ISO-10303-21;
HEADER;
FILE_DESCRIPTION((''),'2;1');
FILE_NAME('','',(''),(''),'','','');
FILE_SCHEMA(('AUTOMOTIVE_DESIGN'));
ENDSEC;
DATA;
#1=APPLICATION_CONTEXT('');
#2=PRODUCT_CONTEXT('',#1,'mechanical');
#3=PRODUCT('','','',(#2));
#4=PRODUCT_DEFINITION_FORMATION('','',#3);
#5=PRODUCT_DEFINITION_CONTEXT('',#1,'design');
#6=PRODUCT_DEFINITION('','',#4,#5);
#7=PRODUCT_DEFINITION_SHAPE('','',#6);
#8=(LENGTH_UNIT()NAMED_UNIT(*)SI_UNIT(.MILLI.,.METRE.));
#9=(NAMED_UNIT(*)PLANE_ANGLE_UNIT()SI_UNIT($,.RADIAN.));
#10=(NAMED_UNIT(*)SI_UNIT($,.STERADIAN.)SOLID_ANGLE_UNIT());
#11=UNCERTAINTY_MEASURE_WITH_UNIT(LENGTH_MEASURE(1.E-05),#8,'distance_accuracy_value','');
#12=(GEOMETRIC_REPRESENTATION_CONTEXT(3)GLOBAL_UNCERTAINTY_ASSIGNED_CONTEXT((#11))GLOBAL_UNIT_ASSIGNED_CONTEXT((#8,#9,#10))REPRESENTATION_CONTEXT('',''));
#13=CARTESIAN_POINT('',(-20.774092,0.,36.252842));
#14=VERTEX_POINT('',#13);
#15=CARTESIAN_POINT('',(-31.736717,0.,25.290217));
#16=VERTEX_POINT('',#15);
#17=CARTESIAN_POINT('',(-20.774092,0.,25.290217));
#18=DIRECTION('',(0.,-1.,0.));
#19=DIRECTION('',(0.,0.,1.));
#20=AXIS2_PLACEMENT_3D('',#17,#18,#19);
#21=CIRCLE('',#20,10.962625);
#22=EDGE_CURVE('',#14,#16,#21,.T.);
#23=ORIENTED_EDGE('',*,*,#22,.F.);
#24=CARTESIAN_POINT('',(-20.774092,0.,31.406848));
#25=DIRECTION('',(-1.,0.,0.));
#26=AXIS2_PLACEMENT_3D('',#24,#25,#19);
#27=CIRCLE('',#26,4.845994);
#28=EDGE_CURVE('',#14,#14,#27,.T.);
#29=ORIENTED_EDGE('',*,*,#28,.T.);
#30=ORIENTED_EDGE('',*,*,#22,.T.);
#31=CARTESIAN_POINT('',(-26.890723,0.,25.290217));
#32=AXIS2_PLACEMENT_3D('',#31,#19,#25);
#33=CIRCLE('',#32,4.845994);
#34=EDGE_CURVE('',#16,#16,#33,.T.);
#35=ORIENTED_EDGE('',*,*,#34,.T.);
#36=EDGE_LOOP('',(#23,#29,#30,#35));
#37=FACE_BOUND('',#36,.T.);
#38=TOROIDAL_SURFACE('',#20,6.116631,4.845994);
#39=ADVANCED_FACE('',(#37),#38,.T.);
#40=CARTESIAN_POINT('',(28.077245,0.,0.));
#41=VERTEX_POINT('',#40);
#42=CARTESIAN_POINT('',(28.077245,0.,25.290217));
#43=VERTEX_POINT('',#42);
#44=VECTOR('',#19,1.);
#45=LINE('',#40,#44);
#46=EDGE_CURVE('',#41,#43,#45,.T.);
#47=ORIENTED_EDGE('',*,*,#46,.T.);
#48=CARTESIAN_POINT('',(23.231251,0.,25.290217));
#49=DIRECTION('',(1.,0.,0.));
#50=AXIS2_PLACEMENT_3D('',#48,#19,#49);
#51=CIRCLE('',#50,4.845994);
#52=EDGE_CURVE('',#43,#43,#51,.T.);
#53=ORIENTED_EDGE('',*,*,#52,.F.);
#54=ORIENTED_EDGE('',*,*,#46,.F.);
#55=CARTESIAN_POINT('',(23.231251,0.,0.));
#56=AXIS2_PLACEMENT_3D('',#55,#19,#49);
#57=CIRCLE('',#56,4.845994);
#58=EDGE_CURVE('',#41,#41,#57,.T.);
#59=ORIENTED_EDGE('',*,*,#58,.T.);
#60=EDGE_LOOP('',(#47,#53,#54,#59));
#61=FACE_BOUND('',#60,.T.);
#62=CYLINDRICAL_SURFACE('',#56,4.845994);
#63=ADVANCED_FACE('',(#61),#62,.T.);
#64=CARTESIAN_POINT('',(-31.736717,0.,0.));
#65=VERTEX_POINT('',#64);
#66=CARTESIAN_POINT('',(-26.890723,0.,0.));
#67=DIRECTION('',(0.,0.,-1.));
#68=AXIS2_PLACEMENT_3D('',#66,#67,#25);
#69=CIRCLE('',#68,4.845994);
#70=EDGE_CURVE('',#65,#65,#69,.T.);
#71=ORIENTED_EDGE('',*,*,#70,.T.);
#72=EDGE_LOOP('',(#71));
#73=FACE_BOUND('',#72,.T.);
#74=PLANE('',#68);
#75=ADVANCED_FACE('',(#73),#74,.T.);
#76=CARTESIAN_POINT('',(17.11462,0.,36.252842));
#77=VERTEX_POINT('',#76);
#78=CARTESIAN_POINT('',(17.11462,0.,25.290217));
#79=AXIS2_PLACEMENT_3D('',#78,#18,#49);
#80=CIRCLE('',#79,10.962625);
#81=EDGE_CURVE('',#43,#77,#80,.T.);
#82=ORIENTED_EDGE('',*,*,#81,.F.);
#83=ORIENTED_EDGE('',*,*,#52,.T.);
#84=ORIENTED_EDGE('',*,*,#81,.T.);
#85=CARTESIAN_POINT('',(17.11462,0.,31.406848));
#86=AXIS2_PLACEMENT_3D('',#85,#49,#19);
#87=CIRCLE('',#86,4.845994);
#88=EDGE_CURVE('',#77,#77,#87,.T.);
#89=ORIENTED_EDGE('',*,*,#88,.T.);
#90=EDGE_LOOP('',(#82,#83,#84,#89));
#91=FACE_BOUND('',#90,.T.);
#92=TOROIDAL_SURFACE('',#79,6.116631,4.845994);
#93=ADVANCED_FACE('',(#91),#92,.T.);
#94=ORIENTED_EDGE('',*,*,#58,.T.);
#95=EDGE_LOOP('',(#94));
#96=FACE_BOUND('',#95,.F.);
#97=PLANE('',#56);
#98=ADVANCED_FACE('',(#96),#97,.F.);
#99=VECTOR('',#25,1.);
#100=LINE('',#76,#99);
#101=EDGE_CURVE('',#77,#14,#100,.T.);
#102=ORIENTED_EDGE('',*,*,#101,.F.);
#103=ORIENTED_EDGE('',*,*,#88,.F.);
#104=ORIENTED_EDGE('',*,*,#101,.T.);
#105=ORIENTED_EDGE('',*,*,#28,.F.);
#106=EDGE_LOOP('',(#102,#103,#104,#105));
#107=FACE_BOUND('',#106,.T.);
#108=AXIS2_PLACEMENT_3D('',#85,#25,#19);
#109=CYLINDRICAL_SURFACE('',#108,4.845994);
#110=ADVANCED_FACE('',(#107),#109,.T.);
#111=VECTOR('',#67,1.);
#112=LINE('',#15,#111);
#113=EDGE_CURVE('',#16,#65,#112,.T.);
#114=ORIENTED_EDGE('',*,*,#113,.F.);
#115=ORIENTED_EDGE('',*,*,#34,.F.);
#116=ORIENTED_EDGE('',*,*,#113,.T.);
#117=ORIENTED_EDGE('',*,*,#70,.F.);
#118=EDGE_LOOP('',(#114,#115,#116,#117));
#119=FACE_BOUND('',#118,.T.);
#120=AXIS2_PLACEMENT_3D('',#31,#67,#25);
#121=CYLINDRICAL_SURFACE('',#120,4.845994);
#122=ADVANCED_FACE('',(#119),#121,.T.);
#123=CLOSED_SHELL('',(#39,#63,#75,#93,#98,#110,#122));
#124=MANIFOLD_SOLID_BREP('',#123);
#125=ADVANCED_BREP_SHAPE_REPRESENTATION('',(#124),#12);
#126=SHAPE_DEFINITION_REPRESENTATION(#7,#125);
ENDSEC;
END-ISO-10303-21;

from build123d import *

# Parameters (mm, degrees)
F1_R = 4.8459943269


with BuildPart() as f2:
    # F2: sweep along a path in F0
    with BuildLine(Plane.XZ) as f2_path:
        Line((23.4646201134, 0), (23.4646201134, 25.2902167082))
        ThreePointArc((23.4646201134, 25.2902167082), (21.6047481739, 29.7803447687), (17.1146201134, 31.6402167082))
        Line((17.1146201134, 31.6402167082), (-20.7740919828, 31.6402167082))
        ThreePointArc((-20.7740919828, 31.6402167082), (-25.2642200434, 29.7803447687), (-27.1240919828, 25.2902167082))
        Line((-27.1240919828, 25.2902167082), (-27.1240919828, 0))
    # F1 (on Top) → F2 (sweep)
    with BuildSketch(Plane.XY):
        with Locations((23.2312511653, 0)):
            Circle(F1_R)
    sweep(path=f2_path.line)


solid = f2.part
